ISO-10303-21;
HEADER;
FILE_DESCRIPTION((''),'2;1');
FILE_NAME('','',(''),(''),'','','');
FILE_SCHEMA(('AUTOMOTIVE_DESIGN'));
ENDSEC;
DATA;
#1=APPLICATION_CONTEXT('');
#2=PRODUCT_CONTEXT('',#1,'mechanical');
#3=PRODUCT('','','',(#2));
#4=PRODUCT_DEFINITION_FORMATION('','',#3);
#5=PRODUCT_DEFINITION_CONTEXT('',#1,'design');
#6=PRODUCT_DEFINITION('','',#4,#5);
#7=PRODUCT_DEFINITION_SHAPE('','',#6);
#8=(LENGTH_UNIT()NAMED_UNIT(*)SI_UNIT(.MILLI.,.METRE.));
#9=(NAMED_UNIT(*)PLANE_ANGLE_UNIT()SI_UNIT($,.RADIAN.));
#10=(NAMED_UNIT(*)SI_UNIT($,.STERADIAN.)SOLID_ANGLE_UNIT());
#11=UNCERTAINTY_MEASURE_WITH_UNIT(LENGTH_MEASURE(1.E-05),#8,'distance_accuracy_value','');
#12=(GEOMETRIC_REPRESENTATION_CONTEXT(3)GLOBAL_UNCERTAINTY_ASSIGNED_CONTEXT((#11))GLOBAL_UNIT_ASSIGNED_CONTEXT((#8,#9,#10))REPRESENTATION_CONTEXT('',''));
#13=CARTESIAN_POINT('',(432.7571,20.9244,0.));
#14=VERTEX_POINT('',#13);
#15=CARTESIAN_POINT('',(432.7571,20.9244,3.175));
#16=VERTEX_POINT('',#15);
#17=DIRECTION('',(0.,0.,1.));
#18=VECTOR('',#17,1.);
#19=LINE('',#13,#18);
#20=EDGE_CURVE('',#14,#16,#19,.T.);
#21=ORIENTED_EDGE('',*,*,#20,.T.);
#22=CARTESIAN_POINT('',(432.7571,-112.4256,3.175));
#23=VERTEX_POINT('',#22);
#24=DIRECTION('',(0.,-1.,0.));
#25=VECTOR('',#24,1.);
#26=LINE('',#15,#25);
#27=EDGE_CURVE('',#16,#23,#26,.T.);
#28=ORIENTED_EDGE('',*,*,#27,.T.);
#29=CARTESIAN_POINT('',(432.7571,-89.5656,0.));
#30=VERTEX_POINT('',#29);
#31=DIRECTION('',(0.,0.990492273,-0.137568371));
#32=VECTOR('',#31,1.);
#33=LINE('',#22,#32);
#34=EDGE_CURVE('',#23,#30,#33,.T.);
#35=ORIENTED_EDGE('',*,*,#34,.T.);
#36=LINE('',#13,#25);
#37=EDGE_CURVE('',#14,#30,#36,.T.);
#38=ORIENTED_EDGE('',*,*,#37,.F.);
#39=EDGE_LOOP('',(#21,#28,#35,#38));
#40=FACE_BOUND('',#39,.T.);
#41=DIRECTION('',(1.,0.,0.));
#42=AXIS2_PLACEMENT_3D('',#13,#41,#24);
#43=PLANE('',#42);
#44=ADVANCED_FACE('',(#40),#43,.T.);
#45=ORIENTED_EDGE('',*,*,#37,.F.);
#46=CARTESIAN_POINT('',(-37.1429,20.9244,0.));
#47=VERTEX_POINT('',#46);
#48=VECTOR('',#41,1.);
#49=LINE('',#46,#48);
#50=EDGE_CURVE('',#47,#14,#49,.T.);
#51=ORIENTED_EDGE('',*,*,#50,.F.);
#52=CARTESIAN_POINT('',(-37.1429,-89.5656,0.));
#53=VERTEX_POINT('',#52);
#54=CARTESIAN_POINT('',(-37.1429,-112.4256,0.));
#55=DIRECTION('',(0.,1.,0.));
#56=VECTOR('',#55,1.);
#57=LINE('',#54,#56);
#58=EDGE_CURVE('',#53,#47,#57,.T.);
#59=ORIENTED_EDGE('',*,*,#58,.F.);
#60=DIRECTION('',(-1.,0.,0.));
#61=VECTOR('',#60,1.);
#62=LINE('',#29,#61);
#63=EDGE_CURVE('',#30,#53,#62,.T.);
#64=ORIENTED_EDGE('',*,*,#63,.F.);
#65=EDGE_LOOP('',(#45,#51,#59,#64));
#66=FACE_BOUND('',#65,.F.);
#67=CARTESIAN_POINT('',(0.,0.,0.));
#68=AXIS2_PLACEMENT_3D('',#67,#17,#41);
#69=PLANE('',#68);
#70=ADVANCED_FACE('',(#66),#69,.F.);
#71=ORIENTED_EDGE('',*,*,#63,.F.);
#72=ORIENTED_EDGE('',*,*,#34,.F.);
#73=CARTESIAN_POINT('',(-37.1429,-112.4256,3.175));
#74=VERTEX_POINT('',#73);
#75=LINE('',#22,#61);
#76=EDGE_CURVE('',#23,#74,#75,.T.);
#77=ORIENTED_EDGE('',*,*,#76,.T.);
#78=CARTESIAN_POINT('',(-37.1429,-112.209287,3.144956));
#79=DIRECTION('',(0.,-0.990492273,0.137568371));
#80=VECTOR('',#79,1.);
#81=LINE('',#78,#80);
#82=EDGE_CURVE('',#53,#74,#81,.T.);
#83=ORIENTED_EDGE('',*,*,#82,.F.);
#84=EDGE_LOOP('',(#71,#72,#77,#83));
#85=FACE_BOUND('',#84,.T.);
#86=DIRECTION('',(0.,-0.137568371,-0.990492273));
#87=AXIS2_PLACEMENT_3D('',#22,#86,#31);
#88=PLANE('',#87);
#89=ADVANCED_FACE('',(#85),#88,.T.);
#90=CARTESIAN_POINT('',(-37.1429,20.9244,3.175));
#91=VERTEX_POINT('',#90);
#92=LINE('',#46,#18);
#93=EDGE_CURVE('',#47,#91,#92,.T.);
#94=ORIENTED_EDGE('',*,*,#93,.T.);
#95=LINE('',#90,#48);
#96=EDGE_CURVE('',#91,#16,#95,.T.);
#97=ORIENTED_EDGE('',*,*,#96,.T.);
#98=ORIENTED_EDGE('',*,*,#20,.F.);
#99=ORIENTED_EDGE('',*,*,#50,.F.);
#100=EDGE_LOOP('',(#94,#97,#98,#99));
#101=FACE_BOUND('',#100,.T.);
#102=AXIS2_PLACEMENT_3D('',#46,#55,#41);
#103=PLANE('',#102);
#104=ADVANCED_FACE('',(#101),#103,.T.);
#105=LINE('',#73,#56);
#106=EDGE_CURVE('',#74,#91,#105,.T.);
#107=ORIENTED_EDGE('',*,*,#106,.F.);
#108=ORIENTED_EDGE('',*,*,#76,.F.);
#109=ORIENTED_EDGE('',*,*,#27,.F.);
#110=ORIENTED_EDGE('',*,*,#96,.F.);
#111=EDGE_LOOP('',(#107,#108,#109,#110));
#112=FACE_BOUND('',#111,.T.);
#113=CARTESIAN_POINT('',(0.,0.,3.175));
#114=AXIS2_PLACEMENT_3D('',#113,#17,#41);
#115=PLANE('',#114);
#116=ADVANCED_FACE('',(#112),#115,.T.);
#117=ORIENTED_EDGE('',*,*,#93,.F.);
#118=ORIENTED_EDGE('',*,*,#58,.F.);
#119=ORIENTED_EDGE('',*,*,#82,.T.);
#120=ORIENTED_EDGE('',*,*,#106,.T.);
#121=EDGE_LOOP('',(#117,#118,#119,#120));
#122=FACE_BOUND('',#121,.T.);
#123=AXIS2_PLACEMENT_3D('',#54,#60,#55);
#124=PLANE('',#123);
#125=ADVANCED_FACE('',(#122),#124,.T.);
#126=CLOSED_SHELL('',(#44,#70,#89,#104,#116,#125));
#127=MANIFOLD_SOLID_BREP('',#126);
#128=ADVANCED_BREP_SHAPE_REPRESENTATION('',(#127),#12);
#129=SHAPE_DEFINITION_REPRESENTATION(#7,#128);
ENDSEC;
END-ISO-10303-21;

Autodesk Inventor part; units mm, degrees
ref_plane "YZ Plane" through (0, 0, 0) normal (1, 0, 0) x (0, 1, 0)
ref_plane "XZ Plane" through (0, 0, 0) normal (0, 1, 0) x (-1, 0, 0)
ref_plane "XY Plane" through (0, 0, 0) normal (0, 0, 1) x (1, 0, 0)
sketch "Sketch1" plane through (0, 0, 0) normal (0, 0, 1) x (1, 0, 0)
  line L0 (-37.1429, 20.9244) -> (432.7571, 20.9244)
  line L1 (432.7571, 20.9244) -> (432.7571, -112.4256)
  line L2 (432.7571, -112.4256) -> (-37.1429, -112.4256)
  line L3 (-37.1429, -112.4256) -> (-37.1429, 20.9244)
  point P0 (0, 0)
  dimension "d0" = 469.9
  dimension "d1" = 133.35
extrude "Extrusion1" add sketch "Sketch1" along normal blind 3.175
sketch "Sketch2" plane through (432.7571, -112.4256, 0) normal (1, 0, 0) x (0, 0, -1)
  line L0 (0, 133.35) -> (0, 0) projected
  line L1 (-3.175, 133.35) -> (0, 107.95)
  line L2 (-3.175, 0) -> (0, 22.86)
  line L3 (-3.175, 0) -> (0, 0)
  line L4 (0, 22.86) -> (0, 0)
  point P0 (0, 112.4256)
  dimension "d4" = 25.4
  dimension "d5" = 22.86
extrude "Extrusion3" cut sketch "Sketch2" against normal blind 476.25
properties part number "bottom panel right"
